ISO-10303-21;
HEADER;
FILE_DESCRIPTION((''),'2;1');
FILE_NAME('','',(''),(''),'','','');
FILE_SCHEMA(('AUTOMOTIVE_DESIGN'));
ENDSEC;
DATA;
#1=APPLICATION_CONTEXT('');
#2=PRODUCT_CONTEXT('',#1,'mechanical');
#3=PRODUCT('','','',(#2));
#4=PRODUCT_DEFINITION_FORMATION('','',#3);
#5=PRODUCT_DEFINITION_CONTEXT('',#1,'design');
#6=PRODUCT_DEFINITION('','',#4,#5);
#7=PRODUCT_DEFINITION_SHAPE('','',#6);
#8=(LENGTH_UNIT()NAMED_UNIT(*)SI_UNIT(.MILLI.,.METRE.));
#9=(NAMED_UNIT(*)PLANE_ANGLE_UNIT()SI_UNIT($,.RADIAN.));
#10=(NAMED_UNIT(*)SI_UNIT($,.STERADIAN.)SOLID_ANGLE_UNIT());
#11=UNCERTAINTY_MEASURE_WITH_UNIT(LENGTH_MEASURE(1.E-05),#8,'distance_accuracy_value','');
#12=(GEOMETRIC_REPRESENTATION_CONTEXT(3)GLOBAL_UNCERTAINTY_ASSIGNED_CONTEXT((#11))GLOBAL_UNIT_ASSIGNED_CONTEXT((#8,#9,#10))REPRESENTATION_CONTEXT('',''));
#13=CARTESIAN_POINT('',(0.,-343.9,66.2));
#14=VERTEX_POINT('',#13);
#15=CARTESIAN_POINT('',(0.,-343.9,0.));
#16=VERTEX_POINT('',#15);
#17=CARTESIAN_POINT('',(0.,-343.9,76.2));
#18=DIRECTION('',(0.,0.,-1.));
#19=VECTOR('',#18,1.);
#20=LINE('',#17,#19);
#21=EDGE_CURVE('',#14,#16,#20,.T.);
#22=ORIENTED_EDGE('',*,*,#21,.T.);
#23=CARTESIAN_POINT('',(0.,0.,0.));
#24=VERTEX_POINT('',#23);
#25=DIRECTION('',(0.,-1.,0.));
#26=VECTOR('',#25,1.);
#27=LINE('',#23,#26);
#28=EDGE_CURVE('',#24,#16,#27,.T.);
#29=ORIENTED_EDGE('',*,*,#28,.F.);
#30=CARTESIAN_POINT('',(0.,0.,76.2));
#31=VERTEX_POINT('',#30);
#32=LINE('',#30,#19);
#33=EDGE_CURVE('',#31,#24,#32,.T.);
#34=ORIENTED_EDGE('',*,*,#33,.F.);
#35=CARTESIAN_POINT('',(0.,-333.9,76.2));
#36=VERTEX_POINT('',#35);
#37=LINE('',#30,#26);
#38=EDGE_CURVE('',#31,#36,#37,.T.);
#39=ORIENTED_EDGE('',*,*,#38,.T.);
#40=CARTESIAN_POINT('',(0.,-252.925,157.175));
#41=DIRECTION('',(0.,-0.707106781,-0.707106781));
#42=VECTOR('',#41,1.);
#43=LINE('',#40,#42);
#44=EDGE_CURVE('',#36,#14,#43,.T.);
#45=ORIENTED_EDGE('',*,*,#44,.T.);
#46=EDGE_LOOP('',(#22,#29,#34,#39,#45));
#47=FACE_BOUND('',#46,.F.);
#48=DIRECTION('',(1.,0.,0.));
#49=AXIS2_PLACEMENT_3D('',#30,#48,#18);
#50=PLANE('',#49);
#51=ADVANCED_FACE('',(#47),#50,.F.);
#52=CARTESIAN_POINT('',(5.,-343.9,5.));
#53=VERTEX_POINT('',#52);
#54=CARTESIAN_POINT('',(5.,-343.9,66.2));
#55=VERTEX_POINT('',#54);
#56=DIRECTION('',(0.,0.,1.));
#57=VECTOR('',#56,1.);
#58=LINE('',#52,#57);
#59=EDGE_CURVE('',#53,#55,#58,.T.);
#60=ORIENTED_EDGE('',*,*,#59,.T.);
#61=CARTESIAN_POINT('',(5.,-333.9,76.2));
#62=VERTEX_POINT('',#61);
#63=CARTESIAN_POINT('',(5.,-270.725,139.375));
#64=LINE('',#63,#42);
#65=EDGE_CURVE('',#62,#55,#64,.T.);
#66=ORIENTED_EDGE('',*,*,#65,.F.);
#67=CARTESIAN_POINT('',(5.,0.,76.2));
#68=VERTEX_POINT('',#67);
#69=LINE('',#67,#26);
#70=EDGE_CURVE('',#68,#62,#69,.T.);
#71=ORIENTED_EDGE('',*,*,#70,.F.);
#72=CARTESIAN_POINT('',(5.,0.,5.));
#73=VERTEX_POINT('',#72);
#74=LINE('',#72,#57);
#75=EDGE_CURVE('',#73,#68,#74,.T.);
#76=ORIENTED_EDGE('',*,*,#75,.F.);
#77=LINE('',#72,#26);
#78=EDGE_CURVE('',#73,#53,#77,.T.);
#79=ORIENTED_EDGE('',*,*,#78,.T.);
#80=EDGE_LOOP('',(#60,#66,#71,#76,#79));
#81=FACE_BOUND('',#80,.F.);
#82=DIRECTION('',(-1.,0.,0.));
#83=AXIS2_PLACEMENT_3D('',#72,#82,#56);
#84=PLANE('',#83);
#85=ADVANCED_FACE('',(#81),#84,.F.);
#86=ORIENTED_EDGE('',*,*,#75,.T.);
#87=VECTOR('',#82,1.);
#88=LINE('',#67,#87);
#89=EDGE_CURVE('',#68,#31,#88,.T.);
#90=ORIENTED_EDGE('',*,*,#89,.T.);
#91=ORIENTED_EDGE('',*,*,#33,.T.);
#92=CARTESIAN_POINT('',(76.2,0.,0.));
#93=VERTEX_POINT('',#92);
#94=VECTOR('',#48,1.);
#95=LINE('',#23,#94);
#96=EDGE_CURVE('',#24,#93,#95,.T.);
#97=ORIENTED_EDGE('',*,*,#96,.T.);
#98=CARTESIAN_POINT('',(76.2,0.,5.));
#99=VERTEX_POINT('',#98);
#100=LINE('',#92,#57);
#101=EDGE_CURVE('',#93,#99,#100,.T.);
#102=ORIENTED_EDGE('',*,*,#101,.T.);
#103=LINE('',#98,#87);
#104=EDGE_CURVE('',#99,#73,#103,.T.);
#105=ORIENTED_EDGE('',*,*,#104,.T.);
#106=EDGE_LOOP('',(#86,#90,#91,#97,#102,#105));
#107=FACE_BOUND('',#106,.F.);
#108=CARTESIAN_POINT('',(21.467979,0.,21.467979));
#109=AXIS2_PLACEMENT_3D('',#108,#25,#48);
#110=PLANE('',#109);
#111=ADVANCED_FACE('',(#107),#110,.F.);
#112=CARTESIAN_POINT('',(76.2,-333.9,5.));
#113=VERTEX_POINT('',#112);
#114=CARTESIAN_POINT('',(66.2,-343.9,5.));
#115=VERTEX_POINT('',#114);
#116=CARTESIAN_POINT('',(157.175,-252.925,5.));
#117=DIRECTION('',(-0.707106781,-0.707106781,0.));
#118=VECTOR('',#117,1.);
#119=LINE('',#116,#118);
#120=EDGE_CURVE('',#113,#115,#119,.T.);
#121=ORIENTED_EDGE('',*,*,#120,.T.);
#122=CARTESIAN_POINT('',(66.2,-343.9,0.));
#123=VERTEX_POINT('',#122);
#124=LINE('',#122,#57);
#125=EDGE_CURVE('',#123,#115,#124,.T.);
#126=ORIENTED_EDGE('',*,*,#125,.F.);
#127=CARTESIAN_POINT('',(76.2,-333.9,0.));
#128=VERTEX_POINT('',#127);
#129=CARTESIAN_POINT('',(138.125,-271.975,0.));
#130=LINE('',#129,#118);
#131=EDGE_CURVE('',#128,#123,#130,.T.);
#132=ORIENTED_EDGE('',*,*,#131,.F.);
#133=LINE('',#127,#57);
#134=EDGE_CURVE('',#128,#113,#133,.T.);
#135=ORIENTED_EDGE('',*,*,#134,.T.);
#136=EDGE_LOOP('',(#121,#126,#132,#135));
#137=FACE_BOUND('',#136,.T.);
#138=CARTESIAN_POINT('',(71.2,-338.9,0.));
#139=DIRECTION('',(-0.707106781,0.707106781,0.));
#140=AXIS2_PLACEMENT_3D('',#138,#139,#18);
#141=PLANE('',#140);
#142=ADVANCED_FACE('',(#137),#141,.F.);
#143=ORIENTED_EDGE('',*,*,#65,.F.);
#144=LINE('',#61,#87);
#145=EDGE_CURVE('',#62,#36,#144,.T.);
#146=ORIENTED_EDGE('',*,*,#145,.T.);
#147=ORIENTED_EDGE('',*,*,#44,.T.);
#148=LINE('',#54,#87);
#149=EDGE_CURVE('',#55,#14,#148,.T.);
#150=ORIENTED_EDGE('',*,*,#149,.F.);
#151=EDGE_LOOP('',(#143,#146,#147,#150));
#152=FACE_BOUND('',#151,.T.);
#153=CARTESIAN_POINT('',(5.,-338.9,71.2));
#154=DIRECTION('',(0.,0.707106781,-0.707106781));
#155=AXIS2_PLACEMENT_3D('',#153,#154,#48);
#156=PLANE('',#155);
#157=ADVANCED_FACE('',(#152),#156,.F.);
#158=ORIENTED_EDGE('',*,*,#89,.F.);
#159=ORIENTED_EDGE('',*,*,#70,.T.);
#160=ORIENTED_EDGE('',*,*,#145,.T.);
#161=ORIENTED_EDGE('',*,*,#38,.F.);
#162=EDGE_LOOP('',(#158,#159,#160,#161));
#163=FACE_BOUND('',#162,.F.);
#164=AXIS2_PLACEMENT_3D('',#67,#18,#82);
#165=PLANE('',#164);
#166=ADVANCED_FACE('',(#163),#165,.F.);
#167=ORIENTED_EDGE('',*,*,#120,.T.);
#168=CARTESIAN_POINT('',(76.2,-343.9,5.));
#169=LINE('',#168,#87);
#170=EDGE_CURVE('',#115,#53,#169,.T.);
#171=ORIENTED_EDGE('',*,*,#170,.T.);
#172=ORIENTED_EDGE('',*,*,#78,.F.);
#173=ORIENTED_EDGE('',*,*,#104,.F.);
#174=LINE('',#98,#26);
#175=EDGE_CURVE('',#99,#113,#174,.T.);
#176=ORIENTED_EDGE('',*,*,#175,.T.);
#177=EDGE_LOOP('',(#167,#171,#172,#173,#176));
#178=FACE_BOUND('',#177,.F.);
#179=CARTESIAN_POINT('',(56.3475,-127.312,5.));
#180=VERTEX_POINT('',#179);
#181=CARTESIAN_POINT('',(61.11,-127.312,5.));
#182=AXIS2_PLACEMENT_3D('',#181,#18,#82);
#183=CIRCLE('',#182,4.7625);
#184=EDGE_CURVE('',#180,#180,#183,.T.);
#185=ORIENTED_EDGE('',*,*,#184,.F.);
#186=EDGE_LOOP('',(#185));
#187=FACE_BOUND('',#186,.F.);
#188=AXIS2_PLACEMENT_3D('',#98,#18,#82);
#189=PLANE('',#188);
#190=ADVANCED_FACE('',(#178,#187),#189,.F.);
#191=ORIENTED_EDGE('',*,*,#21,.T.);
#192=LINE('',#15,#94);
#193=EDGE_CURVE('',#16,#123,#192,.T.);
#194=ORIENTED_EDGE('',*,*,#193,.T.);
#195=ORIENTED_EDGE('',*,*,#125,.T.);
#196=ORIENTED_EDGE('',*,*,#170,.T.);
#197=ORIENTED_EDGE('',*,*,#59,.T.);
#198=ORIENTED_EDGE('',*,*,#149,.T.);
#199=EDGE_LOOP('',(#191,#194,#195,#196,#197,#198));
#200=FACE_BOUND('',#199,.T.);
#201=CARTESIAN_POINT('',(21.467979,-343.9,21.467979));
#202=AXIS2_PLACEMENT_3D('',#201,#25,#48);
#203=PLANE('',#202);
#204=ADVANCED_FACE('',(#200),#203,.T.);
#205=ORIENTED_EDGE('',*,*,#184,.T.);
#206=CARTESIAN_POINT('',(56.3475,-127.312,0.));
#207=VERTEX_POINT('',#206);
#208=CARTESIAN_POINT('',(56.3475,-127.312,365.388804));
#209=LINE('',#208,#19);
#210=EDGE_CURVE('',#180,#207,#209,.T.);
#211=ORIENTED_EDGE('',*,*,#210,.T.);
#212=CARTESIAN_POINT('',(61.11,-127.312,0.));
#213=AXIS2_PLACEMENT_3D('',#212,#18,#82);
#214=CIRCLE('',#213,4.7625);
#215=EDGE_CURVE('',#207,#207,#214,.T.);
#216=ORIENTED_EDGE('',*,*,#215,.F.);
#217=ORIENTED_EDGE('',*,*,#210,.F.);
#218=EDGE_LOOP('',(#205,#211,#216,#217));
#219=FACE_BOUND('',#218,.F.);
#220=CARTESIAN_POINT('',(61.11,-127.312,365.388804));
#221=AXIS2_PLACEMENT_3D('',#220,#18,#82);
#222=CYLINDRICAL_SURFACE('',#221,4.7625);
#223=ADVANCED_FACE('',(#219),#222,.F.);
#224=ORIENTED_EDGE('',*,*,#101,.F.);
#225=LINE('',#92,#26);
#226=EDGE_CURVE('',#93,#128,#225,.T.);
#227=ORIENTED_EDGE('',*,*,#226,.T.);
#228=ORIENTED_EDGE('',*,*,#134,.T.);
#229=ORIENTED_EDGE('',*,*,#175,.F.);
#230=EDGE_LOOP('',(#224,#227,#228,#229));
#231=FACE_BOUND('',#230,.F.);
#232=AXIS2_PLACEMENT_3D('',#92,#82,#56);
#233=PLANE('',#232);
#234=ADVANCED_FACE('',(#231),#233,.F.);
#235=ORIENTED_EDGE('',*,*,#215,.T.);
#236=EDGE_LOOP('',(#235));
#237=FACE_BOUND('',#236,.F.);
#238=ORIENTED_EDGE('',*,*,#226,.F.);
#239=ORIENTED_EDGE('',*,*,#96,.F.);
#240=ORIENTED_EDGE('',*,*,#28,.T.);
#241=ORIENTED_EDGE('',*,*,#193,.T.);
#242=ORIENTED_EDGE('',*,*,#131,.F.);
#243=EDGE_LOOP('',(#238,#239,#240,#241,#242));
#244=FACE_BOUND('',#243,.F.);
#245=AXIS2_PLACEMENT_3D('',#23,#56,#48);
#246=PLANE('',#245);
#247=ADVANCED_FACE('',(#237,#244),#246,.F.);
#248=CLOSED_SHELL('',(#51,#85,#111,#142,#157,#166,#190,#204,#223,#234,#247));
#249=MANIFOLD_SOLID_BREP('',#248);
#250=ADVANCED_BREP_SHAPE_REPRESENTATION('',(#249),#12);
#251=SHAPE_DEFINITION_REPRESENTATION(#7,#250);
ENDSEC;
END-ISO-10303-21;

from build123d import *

# Parameters (mm, degrees)
F1_DEPTH = 343.9
F2_SIZE  = 10
F4_D     = 9.525


with BuildPart() as f1:
    # F0 (on Front) → F1 (new body)
    with BuildSketch(Plane.XZ):
        Polygon((0, 76.2), (0, 0), (76.2, 0), (76.2, 5), (5, 5), (5, 76.2), align=None)
    extrude(amount=F1_DEPTH)

    # F2
    f2_edges = [f1.edges().sort_by_distance(p)[0] for p in [
        (76.2, -343.9, 2.5),
        (2.5, -343.9, 76.2),
    ]]
    chamfer(f2_edges, length=F2_SIZE)

    # F4 (through all)
    with Locations(Plane.XY.offset(5)):
        with Locations((61.11, -127.312)):
            Hole(F4_D / 2)


solid = f1.part
